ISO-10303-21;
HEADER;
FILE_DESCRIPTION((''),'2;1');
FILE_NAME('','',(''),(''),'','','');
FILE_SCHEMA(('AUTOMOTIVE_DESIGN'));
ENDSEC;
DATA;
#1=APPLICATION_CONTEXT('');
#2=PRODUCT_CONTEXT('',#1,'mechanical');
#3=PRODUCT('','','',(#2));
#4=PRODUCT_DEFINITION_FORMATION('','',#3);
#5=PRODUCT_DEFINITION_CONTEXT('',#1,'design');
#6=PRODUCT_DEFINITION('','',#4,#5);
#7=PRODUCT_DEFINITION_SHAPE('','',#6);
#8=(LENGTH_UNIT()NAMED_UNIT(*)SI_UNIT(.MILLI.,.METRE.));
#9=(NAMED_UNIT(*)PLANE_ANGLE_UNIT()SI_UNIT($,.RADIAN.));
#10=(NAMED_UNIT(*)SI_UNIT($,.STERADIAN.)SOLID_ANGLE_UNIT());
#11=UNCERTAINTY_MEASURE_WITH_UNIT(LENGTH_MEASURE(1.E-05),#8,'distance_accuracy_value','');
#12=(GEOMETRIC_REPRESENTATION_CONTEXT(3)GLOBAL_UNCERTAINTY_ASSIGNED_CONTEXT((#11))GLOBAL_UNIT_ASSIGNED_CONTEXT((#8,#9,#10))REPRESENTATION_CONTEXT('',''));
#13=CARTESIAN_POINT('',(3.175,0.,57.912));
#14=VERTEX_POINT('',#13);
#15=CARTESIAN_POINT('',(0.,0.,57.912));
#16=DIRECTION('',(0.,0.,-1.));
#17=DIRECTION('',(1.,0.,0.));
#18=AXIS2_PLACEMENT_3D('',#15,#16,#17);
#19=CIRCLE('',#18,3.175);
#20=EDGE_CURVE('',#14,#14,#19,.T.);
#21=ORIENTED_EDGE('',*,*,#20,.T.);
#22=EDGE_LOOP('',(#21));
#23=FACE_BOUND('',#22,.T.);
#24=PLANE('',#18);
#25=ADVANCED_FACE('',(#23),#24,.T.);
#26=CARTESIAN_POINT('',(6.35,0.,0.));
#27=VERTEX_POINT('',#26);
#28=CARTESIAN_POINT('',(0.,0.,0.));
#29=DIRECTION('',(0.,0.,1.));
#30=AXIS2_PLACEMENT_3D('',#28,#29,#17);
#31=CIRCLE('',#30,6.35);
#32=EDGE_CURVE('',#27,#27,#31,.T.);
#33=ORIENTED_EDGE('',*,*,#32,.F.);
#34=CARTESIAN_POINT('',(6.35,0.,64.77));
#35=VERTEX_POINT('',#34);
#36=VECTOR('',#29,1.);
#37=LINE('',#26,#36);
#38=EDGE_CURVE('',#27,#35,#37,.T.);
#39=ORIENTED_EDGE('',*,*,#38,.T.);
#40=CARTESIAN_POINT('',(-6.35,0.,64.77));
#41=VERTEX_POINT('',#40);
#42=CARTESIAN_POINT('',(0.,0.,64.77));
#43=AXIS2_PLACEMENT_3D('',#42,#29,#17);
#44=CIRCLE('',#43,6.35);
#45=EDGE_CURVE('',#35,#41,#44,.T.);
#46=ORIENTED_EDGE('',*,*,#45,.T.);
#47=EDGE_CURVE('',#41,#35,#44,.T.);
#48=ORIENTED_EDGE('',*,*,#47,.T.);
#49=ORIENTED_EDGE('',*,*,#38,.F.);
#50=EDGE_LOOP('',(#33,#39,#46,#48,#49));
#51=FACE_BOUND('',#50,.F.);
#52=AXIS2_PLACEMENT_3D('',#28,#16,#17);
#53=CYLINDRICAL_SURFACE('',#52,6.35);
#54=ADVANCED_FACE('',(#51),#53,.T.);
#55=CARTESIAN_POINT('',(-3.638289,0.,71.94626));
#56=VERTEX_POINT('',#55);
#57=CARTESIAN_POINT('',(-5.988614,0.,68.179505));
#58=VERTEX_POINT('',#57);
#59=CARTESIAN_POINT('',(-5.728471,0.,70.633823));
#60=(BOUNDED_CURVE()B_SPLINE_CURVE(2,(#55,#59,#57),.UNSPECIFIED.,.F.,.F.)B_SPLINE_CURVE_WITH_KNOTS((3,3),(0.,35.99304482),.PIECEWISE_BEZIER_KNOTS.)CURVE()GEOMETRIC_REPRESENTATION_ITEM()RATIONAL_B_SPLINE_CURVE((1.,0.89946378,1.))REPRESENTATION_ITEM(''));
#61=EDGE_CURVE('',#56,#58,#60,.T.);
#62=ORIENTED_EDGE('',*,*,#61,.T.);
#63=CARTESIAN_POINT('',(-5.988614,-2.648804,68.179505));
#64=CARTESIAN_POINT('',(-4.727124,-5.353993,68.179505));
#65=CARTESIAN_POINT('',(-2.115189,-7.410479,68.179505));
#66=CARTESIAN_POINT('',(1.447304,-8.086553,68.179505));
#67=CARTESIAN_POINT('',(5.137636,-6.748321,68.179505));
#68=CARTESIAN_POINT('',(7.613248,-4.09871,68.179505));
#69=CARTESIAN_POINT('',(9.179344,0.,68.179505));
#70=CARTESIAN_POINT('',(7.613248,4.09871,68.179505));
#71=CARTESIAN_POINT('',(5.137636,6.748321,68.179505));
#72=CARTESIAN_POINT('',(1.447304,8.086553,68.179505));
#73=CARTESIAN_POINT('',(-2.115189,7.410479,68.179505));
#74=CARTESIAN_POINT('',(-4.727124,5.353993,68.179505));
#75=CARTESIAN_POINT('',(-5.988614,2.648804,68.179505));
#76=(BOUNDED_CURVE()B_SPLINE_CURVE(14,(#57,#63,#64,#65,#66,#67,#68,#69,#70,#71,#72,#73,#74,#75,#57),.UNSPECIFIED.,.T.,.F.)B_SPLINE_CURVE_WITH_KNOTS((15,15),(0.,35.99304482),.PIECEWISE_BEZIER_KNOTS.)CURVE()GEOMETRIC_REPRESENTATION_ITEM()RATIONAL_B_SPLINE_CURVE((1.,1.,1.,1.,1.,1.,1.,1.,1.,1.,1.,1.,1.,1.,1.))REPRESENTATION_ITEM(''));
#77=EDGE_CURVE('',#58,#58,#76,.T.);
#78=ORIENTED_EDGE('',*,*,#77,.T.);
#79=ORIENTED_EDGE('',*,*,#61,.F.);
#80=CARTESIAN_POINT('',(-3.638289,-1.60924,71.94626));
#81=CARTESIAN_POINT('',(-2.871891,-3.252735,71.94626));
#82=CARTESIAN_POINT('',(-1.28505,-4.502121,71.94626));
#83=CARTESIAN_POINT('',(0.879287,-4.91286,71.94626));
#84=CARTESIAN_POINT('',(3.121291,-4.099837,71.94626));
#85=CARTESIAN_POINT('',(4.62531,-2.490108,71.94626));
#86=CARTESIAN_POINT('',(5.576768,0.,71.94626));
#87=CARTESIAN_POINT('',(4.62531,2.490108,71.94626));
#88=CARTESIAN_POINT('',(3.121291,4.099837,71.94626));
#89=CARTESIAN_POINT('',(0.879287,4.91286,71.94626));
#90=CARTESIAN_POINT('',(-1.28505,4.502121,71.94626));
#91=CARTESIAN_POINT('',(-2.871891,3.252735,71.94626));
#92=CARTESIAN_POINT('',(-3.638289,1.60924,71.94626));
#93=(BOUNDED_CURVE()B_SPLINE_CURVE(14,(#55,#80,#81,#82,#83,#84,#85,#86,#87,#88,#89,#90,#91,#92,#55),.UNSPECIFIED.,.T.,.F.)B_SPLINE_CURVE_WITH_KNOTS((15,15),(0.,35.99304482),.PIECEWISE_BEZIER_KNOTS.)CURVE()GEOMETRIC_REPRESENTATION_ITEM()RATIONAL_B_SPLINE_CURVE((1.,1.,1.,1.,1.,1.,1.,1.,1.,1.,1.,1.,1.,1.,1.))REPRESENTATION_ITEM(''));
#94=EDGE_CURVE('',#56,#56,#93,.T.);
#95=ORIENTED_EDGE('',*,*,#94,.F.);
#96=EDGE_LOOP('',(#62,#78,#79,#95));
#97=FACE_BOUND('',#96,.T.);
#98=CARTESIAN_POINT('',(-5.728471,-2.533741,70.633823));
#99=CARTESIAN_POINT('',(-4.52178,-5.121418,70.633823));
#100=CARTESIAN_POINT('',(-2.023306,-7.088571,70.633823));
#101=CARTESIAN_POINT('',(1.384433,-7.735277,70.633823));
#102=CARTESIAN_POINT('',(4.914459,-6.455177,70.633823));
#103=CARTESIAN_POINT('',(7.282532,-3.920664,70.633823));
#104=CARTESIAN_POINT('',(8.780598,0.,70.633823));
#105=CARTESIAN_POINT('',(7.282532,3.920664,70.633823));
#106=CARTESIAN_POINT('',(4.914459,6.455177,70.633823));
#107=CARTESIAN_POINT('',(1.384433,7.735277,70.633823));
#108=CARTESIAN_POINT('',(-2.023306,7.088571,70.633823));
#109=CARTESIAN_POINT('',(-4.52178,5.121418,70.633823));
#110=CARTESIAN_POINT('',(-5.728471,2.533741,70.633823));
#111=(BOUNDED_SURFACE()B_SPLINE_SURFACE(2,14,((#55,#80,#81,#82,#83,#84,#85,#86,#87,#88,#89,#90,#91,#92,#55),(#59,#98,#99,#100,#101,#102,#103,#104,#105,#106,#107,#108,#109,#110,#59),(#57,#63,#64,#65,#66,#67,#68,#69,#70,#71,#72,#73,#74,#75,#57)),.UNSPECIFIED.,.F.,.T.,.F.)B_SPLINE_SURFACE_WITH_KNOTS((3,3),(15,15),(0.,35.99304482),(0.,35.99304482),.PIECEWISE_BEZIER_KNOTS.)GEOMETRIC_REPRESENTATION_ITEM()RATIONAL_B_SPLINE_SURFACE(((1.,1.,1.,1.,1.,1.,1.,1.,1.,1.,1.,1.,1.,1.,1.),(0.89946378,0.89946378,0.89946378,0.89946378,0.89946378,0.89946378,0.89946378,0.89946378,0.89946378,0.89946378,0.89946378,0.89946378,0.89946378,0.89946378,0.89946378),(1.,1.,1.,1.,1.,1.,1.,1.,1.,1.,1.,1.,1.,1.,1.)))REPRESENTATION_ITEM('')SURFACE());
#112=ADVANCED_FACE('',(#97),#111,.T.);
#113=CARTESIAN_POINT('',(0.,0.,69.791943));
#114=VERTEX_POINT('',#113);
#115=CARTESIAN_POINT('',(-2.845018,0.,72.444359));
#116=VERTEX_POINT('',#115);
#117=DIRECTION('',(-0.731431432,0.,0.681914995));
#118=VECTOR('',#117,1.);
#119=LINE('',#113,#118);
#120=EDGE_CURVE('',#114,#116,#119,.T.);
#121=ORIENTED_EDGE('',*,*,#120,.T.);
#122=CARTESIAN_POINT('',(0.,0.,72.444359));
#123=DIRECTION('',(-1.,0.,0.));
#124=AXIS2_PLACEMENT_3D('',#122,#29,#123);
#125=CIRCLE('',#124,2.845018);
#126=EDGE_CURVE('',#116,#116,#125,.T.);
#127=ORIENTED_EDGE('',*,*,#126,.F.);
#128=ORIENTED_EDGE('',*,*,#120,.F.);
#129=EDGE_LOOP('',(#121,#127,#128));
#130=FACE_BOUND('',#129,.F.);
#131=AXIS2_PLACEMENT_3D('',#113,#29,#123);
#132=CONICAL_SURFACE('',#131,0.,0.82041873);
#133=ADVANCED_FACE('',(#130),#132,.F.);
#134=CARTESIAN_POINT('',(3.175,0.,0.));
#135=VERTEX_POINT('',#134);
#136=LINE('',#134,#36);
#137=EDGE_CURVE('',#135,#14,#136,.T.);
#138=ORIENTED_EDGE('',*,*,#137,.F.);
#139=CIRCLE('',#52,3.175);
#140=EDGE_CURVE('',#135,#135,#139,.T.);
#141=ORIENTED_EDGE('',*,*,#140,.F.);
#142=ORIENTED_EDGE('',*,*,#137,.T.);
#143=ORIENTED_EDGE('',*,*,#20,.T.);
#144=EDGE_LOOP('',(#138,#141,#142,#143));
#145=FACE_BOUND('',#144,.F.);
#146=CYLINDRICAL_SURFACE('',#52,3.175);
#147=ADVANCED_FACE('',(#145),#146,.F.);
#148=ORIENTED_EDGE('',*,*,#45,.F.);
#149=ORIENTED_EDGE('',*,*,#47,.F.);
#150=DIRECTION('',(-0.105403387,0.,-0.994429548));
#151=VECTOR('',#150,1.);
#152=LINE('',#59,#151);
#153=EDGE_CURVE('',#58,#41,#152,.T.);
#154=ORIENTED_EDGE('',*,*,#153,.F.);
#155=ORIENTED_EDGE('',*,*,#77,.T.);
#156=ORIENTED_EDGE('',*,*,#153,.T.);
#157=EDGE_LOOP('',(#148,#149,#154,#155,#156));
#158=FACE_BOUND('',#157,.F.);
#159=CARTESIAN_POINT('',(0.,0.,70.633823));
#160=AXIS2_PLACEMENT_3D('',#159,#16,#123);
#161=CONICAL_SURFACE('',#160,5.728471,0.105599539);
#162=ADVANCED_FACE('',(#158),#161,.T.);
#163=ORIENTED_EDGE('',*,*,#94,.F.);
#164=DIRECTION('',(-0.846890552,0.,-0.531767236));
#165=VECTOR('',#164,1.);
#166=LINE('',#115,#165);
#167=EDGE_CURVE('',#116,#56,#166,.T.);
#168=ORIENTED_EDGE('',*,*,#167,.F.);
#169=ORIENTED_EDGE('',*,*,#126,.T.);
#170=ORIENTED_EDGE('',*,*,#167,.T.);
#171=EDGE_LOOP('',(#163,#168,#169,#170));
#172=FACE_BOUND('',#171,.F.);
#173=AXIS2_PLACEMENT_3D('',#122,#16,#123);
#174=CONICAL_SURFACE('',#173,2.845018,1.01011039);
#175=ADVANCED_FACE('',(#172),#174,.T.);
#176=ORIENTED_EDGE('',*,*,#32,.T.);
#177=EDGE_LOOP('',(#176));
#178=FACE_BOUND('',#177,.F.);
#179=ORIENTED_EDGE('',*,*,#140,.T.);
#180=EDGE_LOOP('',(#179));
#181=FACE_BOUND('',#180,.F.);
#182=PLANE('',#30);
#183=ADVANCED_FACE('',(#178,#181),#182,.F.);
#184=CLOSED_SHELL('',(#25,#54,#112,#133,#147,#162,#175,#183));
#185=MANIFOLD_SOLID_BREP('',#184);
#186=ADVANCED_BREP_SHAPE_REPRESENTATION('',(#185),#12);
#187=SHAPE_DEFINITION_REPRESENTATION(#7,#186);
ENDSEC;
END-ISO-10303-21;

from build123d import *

# Parameters (mm, degrees)
F0_R     = 6.35
F1_DEPTH = 64.77
F5_R     = 3.175
F6_DEPTH = 57.912
F7_R     = 5.08


with BuildPart() as f1:
    # F0 (on Top) → F1 (new body)
    with BuildSketch(Plane.XY):
        Circle(F0_R)
    extrude(amount=F1_DEPTH)

    # F3 (on Front) → F4 (revolve)
    with BuildSketch(Plane.XZ):
        Polygon((0, 64.77), (0, 69.791943), (-2.845018, 72.444359), (-5.728471, 70.633823), (-6.35, 64.77), align=None)
    revolve(axis=Axis((0, 0, 36.195), (0, 0, 1)))

    # F5 (on face) → F6 (cut)
    with BuildSketch(Plane(origin=(0, 0, 0), x_dir=(1, 0, 0), z_dir=(0, 0, -1))):
        Circle(F5_R)
    extrude(amount=-F6_DEPTH, mode=Mode.SUBTRACT)

    # F7
    f7_edges = [f1.edges().sort_by_distance(p)[0] for p in [
        (5.728471, 0, 70.633823),
    ]]
    fillet(f7_edges, radius=F7_R)


solid = f1.part
